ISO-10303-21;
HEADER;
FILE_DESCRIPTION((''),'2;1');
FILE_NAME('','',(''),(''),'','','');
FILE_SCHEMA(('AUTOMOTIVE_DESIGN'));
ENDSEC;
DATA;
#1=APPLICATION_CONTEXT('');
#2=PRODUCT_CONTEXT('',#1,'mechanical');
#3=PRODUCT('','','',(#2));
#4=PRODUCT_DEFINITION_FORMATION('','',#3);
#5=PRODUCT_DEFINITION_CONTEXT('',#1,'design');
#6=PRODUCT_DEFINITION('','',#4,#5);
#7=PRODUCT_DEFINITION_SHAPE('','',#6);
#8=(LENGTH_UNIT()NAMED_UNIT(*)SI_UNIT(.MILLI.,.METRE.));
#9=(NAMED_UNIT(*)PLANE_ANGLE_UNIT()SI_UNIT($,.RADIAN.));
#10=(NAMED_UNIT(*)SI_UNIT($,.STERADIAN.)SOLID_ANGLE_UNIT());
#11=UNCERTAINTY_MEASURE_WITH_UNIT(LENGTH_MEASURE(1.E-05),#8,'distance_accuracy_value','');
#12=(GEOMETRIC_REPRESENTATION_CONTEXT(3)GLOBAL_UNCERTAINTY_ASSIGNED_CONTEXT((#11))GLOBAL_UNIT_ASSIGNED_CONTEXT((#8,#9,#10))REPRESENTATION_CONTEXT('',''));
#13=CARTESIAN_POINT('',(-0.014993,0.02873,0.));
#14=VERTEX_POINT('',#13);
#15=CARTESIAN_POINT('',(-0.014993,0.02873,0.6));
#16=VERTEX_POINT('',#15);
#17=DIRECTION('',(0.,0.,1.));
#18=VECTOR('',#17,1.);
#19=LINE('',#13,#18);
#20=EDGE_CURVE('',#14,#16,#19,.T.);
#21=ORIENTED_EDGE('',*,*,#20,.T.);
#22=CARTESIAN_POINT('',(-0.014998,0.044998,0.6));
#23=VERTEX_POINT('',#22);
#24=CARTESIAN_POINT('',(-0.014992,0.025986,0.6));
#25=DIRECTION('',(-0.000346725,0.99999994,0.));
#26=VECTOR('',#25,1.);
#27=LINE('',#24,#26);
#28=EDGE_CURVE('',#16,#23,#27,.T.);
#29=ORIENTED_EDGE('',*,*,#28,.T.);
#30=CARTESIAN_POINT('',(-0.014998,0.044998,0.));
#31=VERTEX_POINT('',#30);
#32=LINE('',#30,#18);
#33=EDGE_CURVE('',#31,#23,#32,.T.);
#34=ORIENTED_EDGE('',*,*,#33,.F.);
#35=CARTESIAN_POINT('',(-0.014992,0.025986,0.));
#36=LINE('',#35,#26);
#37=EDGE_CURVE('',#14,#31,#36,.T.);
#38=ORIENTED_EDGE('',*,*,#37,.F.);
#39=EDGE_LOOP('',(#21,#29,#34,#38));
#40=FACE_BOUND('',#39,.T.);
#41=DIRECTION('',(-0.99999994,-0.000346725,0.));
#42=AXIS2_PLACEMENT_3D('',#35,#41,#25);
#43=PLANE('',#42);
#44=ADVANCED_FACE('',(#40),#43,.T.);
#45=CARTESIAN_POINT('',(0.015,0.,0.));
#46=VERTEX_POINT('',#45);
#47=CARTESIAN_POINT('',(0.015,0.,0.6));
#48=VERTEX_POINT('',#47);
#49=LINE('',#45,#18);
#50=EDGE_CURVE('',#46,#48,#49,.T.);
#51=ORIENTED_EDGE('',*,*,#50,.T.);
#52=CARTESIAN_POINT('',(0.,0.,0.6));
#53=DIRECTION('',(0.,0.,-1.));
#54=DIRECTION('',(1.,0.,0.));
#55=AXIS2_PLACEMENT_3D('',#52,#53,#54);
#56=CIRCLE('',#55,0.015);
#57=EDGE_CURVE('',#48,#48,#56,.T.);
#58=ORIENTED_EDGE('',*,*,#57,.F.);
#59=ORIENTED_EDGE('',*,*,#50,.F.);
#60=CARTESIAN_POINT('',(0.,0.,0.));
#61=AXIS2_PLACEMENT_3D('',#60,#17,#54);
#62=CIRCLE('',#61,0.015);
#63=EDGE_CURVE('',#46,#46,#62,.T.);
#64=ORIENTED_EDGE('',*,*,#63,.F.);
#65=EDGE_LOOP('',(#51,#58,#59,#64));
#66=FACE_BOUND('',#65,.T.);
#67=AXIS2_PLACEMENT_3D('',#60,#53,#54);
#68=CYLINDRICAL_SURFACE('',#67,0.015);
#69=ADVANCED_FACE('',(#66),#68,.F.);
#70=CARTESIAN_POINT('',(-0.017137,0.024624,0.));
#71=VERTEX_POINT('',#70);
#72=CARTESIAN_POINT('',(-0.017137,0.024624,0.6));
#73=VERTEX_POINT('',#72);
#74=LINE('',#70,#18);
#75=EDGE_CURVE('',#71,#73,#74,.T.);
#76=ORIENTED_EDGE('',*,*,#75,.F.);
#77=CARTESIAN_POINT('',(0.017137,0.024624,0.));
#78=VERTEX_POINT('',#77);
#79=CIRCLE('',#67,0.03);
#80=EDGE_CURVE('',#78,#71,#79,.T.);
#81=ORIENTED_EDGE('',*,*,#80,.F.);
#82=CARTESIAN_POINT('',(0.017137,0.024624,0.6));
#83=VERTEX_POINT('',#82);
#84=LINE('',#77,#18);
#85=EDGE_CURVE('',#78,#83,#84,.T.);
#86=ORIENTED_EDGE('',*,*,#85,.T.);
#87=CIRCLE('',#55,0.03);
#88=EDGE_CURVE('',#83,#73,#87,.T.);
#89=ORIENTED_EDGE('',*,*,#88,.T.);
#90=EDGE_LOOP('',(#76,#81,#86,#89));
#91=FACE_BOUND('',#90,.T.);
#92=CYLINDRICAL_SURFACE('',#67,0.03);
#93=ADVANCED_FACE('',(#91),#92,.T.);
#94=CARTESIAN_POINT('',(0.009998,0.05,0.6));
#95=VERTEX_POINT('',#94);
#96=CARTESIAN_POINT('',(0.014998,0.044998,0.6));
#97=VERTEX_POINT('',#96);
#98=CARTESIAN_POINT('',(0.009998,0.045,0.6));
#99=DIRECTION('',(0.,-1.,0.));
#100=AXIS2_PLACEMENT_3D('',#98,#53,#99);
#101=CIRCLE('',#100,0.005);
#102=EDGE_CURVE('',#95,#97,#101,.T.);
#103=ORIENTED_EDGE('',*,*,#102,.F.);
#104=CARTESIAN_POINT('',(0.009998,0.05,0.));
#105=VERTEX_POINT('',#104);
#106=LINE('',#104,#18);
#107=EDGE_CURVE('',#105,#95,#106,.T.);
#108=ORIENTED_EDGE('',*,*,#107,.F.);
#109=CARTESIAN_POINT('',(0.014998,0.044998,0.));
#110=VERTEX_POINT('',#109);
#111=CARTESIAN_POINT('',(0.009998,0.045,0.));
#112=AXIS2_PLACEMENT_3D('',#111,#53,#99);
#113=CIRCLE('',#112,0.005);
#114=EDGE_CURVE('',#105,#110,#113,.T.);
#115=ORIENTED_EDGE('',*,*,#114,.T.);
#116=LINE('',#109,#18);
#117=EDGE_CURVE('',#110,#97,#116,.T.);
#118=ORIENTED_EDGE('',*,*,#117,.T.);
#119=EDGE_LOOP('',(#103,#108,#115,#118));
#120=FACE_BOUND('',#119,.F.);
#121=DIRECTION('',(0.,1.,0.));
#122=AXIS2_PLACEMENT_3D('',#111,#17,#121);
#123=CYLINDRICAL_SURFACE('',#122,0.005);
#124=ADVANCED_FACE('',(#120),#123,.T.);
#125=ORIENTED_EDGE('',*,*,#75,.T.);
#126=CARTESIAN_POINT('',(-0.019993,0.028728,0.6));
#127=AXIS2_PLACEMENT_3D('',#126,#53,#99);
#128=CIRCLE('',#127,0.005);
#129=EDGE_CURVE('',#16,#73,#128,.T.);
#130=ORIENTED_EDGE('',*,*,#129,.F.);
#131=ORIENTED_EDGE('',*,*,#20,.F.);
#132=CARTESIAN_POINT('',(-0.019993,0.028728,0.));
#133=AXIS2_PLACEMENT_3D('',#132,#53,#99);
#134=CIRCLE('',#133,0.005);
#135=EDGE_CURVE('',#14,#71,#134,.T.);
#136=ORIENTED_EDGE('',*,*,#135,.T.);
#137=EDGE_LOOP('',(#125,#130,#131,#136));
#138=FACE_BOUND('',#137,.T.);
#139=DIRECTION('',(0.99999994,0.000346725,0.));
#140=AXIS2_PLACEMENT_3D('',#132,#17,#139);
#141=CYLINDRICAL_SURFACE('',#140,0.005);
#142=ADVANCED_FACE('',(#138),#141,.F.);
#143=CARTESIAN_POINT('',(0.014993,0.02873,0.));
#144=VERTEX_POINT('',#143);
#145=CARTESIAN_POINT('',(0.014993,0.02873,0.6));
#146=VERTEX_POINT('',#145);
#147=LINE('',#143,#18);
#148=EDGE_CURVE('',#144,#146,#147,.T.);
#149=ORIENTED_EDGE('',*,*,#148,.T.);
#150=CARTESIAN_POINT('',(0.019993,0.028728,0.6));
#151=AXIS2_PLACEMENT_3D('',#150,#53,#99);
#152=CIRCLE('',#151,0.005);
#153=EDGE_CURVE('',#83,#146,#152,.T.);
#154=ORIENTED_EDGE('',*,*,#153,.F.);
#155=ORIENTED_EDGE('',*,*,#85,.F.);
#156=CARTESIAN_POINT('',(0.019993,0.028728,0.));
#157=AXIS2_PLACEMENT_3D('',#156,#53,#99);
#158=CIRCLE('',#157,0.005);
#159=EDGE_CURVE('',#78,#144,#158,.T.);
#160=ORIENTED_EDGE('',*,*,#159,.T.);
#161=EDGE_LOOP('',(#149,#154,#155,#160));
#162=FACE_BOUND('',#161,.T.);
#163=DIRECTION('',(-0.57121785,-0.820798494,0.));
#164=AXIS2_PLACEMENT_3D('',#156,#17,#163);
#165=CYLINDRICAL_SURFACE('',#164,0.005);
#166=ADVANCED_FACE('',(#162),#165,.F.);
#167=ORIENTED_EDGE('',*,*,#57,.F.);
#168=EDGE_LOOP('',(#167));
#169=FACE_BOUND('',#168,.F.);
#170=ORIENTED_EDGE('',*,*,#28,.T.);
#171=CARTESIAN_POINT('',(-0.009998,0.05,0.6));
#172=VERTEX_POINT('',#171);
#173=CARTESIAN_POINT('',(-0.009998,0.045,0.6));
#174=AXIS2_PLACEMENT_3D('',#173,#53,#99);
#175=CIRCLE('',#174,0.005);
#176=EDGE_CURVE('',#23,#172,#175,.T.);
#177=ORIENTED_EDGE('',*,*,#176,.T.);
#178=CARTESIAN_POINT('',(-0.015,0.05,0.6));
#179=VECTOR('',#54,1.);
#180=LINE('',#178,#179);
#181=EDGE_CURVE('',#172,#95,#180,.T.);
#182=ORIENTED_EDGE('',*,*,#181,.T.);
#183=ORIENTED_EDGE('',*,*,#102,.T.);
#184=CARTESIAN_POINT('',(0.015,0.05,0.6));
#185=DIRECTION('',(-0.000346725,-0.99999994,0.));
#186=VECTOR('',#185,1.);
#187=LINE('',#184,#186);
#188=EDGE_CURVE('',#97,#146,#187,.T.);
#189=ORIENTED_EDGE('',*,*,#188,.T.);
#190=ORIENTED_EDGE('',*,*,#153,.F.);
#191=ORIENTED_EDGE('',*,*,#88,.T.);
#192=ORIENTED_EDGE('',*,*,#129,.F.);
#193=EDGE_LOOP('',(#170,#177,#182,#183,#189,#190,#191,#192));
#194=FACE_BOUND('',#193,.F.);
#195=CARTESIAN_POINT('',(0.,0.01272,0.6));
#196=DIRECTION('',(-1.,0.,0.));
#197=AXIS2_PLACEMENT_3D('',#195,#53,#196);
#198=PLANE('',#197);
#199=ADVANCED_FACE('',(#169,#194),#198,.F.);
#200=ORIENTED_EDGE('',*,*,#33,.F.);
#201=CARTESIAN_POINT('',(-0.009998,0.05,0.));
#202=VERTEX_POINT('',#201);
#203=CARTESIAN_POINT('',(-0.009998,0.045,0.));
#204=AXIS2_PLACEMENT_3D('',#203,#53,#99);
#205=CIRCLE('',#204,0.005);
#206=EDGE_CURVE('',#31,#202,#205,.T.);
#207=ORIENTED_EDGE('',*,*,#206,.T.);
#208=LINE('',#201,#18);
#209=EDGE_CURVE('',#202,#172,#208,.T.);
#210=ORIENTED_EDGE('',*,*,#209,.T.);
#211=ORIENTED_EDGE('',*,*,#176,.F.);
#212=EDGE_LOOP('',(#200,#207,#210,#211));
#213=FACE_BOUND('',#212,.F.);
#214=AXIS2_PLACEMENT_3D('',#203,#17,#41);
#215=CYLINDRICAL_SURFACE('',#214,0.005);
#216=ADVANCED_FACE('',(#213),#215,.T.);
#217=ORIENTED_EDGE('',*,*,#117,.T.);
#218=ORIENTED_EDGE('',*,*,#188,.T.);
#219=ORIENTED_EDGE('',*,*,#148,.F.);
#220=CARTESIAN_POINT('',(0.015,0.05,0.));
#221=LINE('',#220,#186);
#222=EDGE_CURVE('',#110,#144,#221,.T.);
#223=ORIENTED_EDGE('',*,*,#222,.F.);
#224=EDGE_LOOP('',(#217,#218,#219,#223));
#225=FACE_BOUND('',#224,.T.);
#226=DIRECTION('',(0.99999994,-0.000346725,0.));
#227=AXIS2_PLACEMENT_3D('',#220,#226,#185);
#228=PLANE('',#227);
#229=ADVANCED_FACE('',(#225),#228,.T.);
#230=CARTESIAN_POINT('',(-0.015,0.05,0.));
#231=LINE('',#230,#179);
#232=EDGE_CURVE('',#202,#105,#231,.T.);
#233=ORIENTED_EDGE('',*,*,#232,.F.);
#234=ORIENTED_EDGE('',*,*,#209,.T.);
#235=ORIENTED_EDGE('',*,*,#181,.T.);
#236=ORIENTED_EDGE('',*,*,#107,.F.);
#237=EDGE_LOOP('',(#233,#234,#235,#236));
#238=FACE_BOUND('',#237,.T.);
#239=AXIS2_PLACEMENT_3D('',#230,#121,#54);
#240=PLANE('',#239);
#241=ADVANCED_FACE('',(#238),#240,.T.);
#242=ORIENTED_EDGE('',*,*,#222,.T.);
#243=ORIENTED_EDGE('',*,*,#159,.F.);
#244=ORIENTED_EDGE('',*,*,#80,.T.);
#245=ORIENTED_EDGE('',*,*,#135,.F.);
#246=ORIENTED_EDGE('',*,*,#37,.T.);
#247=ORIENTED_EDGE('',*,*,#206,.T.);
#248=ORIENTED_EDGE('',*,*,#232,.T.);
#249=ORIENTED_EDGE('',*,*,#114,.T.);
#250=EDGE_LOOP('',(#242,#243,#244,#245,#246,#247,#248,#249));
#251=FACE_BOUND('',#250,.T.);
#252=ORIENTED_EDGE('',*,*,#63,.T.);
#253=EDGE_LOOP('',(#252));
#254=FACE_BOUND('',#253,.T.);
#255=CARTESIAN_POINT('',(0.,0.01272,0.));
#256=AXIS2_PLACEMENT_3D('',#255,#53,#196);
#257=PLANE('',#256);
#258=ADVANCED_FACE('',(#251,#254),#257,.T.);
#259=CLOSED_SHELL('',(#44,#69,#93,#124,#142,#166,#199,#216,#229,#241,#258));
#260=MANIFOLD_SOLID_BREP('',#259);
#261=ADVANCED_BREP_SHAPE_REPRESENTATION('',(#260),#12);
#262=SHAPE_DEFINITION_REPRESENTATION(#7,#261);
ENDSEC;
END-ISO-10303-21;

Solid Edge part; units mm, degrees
sketch "Sketch1" plane through (0, 0, 0) normal (0, 0, 1) x (1, 0, 0)
  line L0 (-0.015, 0.026) -> (-0.015, 0.05)
  line L1 (-0.015, 0.05) -> (0.015, 0.05)
  line L2 (0.015, 0.05) -> (0.015, 0.026)
  arc A0 (0.015, 0.026) -> (-0.015, 0.026) centre (0, 0) cw
  dimension "D1" = 0.015
extrude "Protrusion1" add sketch "Sketch1" along normal blind 0.6
sketch "Sketch2" plane through (0, 0, 0) normal (0, 0, 1) x (1, 0, 0)
  circle A0 centre (0, 0) radius 0.015
  dimension "D1" = 0.03
extrude "Cutout1" cut sketch "Sketch2" along normal through all
fillet "Verrundung_1" radius 0.005 4 edges at (0.015, 0.026, 0.3) (0.015, 0.05, 0.3) (-0.015, 0.026, 0.3) (-0.015, 0.05, 0.3)
